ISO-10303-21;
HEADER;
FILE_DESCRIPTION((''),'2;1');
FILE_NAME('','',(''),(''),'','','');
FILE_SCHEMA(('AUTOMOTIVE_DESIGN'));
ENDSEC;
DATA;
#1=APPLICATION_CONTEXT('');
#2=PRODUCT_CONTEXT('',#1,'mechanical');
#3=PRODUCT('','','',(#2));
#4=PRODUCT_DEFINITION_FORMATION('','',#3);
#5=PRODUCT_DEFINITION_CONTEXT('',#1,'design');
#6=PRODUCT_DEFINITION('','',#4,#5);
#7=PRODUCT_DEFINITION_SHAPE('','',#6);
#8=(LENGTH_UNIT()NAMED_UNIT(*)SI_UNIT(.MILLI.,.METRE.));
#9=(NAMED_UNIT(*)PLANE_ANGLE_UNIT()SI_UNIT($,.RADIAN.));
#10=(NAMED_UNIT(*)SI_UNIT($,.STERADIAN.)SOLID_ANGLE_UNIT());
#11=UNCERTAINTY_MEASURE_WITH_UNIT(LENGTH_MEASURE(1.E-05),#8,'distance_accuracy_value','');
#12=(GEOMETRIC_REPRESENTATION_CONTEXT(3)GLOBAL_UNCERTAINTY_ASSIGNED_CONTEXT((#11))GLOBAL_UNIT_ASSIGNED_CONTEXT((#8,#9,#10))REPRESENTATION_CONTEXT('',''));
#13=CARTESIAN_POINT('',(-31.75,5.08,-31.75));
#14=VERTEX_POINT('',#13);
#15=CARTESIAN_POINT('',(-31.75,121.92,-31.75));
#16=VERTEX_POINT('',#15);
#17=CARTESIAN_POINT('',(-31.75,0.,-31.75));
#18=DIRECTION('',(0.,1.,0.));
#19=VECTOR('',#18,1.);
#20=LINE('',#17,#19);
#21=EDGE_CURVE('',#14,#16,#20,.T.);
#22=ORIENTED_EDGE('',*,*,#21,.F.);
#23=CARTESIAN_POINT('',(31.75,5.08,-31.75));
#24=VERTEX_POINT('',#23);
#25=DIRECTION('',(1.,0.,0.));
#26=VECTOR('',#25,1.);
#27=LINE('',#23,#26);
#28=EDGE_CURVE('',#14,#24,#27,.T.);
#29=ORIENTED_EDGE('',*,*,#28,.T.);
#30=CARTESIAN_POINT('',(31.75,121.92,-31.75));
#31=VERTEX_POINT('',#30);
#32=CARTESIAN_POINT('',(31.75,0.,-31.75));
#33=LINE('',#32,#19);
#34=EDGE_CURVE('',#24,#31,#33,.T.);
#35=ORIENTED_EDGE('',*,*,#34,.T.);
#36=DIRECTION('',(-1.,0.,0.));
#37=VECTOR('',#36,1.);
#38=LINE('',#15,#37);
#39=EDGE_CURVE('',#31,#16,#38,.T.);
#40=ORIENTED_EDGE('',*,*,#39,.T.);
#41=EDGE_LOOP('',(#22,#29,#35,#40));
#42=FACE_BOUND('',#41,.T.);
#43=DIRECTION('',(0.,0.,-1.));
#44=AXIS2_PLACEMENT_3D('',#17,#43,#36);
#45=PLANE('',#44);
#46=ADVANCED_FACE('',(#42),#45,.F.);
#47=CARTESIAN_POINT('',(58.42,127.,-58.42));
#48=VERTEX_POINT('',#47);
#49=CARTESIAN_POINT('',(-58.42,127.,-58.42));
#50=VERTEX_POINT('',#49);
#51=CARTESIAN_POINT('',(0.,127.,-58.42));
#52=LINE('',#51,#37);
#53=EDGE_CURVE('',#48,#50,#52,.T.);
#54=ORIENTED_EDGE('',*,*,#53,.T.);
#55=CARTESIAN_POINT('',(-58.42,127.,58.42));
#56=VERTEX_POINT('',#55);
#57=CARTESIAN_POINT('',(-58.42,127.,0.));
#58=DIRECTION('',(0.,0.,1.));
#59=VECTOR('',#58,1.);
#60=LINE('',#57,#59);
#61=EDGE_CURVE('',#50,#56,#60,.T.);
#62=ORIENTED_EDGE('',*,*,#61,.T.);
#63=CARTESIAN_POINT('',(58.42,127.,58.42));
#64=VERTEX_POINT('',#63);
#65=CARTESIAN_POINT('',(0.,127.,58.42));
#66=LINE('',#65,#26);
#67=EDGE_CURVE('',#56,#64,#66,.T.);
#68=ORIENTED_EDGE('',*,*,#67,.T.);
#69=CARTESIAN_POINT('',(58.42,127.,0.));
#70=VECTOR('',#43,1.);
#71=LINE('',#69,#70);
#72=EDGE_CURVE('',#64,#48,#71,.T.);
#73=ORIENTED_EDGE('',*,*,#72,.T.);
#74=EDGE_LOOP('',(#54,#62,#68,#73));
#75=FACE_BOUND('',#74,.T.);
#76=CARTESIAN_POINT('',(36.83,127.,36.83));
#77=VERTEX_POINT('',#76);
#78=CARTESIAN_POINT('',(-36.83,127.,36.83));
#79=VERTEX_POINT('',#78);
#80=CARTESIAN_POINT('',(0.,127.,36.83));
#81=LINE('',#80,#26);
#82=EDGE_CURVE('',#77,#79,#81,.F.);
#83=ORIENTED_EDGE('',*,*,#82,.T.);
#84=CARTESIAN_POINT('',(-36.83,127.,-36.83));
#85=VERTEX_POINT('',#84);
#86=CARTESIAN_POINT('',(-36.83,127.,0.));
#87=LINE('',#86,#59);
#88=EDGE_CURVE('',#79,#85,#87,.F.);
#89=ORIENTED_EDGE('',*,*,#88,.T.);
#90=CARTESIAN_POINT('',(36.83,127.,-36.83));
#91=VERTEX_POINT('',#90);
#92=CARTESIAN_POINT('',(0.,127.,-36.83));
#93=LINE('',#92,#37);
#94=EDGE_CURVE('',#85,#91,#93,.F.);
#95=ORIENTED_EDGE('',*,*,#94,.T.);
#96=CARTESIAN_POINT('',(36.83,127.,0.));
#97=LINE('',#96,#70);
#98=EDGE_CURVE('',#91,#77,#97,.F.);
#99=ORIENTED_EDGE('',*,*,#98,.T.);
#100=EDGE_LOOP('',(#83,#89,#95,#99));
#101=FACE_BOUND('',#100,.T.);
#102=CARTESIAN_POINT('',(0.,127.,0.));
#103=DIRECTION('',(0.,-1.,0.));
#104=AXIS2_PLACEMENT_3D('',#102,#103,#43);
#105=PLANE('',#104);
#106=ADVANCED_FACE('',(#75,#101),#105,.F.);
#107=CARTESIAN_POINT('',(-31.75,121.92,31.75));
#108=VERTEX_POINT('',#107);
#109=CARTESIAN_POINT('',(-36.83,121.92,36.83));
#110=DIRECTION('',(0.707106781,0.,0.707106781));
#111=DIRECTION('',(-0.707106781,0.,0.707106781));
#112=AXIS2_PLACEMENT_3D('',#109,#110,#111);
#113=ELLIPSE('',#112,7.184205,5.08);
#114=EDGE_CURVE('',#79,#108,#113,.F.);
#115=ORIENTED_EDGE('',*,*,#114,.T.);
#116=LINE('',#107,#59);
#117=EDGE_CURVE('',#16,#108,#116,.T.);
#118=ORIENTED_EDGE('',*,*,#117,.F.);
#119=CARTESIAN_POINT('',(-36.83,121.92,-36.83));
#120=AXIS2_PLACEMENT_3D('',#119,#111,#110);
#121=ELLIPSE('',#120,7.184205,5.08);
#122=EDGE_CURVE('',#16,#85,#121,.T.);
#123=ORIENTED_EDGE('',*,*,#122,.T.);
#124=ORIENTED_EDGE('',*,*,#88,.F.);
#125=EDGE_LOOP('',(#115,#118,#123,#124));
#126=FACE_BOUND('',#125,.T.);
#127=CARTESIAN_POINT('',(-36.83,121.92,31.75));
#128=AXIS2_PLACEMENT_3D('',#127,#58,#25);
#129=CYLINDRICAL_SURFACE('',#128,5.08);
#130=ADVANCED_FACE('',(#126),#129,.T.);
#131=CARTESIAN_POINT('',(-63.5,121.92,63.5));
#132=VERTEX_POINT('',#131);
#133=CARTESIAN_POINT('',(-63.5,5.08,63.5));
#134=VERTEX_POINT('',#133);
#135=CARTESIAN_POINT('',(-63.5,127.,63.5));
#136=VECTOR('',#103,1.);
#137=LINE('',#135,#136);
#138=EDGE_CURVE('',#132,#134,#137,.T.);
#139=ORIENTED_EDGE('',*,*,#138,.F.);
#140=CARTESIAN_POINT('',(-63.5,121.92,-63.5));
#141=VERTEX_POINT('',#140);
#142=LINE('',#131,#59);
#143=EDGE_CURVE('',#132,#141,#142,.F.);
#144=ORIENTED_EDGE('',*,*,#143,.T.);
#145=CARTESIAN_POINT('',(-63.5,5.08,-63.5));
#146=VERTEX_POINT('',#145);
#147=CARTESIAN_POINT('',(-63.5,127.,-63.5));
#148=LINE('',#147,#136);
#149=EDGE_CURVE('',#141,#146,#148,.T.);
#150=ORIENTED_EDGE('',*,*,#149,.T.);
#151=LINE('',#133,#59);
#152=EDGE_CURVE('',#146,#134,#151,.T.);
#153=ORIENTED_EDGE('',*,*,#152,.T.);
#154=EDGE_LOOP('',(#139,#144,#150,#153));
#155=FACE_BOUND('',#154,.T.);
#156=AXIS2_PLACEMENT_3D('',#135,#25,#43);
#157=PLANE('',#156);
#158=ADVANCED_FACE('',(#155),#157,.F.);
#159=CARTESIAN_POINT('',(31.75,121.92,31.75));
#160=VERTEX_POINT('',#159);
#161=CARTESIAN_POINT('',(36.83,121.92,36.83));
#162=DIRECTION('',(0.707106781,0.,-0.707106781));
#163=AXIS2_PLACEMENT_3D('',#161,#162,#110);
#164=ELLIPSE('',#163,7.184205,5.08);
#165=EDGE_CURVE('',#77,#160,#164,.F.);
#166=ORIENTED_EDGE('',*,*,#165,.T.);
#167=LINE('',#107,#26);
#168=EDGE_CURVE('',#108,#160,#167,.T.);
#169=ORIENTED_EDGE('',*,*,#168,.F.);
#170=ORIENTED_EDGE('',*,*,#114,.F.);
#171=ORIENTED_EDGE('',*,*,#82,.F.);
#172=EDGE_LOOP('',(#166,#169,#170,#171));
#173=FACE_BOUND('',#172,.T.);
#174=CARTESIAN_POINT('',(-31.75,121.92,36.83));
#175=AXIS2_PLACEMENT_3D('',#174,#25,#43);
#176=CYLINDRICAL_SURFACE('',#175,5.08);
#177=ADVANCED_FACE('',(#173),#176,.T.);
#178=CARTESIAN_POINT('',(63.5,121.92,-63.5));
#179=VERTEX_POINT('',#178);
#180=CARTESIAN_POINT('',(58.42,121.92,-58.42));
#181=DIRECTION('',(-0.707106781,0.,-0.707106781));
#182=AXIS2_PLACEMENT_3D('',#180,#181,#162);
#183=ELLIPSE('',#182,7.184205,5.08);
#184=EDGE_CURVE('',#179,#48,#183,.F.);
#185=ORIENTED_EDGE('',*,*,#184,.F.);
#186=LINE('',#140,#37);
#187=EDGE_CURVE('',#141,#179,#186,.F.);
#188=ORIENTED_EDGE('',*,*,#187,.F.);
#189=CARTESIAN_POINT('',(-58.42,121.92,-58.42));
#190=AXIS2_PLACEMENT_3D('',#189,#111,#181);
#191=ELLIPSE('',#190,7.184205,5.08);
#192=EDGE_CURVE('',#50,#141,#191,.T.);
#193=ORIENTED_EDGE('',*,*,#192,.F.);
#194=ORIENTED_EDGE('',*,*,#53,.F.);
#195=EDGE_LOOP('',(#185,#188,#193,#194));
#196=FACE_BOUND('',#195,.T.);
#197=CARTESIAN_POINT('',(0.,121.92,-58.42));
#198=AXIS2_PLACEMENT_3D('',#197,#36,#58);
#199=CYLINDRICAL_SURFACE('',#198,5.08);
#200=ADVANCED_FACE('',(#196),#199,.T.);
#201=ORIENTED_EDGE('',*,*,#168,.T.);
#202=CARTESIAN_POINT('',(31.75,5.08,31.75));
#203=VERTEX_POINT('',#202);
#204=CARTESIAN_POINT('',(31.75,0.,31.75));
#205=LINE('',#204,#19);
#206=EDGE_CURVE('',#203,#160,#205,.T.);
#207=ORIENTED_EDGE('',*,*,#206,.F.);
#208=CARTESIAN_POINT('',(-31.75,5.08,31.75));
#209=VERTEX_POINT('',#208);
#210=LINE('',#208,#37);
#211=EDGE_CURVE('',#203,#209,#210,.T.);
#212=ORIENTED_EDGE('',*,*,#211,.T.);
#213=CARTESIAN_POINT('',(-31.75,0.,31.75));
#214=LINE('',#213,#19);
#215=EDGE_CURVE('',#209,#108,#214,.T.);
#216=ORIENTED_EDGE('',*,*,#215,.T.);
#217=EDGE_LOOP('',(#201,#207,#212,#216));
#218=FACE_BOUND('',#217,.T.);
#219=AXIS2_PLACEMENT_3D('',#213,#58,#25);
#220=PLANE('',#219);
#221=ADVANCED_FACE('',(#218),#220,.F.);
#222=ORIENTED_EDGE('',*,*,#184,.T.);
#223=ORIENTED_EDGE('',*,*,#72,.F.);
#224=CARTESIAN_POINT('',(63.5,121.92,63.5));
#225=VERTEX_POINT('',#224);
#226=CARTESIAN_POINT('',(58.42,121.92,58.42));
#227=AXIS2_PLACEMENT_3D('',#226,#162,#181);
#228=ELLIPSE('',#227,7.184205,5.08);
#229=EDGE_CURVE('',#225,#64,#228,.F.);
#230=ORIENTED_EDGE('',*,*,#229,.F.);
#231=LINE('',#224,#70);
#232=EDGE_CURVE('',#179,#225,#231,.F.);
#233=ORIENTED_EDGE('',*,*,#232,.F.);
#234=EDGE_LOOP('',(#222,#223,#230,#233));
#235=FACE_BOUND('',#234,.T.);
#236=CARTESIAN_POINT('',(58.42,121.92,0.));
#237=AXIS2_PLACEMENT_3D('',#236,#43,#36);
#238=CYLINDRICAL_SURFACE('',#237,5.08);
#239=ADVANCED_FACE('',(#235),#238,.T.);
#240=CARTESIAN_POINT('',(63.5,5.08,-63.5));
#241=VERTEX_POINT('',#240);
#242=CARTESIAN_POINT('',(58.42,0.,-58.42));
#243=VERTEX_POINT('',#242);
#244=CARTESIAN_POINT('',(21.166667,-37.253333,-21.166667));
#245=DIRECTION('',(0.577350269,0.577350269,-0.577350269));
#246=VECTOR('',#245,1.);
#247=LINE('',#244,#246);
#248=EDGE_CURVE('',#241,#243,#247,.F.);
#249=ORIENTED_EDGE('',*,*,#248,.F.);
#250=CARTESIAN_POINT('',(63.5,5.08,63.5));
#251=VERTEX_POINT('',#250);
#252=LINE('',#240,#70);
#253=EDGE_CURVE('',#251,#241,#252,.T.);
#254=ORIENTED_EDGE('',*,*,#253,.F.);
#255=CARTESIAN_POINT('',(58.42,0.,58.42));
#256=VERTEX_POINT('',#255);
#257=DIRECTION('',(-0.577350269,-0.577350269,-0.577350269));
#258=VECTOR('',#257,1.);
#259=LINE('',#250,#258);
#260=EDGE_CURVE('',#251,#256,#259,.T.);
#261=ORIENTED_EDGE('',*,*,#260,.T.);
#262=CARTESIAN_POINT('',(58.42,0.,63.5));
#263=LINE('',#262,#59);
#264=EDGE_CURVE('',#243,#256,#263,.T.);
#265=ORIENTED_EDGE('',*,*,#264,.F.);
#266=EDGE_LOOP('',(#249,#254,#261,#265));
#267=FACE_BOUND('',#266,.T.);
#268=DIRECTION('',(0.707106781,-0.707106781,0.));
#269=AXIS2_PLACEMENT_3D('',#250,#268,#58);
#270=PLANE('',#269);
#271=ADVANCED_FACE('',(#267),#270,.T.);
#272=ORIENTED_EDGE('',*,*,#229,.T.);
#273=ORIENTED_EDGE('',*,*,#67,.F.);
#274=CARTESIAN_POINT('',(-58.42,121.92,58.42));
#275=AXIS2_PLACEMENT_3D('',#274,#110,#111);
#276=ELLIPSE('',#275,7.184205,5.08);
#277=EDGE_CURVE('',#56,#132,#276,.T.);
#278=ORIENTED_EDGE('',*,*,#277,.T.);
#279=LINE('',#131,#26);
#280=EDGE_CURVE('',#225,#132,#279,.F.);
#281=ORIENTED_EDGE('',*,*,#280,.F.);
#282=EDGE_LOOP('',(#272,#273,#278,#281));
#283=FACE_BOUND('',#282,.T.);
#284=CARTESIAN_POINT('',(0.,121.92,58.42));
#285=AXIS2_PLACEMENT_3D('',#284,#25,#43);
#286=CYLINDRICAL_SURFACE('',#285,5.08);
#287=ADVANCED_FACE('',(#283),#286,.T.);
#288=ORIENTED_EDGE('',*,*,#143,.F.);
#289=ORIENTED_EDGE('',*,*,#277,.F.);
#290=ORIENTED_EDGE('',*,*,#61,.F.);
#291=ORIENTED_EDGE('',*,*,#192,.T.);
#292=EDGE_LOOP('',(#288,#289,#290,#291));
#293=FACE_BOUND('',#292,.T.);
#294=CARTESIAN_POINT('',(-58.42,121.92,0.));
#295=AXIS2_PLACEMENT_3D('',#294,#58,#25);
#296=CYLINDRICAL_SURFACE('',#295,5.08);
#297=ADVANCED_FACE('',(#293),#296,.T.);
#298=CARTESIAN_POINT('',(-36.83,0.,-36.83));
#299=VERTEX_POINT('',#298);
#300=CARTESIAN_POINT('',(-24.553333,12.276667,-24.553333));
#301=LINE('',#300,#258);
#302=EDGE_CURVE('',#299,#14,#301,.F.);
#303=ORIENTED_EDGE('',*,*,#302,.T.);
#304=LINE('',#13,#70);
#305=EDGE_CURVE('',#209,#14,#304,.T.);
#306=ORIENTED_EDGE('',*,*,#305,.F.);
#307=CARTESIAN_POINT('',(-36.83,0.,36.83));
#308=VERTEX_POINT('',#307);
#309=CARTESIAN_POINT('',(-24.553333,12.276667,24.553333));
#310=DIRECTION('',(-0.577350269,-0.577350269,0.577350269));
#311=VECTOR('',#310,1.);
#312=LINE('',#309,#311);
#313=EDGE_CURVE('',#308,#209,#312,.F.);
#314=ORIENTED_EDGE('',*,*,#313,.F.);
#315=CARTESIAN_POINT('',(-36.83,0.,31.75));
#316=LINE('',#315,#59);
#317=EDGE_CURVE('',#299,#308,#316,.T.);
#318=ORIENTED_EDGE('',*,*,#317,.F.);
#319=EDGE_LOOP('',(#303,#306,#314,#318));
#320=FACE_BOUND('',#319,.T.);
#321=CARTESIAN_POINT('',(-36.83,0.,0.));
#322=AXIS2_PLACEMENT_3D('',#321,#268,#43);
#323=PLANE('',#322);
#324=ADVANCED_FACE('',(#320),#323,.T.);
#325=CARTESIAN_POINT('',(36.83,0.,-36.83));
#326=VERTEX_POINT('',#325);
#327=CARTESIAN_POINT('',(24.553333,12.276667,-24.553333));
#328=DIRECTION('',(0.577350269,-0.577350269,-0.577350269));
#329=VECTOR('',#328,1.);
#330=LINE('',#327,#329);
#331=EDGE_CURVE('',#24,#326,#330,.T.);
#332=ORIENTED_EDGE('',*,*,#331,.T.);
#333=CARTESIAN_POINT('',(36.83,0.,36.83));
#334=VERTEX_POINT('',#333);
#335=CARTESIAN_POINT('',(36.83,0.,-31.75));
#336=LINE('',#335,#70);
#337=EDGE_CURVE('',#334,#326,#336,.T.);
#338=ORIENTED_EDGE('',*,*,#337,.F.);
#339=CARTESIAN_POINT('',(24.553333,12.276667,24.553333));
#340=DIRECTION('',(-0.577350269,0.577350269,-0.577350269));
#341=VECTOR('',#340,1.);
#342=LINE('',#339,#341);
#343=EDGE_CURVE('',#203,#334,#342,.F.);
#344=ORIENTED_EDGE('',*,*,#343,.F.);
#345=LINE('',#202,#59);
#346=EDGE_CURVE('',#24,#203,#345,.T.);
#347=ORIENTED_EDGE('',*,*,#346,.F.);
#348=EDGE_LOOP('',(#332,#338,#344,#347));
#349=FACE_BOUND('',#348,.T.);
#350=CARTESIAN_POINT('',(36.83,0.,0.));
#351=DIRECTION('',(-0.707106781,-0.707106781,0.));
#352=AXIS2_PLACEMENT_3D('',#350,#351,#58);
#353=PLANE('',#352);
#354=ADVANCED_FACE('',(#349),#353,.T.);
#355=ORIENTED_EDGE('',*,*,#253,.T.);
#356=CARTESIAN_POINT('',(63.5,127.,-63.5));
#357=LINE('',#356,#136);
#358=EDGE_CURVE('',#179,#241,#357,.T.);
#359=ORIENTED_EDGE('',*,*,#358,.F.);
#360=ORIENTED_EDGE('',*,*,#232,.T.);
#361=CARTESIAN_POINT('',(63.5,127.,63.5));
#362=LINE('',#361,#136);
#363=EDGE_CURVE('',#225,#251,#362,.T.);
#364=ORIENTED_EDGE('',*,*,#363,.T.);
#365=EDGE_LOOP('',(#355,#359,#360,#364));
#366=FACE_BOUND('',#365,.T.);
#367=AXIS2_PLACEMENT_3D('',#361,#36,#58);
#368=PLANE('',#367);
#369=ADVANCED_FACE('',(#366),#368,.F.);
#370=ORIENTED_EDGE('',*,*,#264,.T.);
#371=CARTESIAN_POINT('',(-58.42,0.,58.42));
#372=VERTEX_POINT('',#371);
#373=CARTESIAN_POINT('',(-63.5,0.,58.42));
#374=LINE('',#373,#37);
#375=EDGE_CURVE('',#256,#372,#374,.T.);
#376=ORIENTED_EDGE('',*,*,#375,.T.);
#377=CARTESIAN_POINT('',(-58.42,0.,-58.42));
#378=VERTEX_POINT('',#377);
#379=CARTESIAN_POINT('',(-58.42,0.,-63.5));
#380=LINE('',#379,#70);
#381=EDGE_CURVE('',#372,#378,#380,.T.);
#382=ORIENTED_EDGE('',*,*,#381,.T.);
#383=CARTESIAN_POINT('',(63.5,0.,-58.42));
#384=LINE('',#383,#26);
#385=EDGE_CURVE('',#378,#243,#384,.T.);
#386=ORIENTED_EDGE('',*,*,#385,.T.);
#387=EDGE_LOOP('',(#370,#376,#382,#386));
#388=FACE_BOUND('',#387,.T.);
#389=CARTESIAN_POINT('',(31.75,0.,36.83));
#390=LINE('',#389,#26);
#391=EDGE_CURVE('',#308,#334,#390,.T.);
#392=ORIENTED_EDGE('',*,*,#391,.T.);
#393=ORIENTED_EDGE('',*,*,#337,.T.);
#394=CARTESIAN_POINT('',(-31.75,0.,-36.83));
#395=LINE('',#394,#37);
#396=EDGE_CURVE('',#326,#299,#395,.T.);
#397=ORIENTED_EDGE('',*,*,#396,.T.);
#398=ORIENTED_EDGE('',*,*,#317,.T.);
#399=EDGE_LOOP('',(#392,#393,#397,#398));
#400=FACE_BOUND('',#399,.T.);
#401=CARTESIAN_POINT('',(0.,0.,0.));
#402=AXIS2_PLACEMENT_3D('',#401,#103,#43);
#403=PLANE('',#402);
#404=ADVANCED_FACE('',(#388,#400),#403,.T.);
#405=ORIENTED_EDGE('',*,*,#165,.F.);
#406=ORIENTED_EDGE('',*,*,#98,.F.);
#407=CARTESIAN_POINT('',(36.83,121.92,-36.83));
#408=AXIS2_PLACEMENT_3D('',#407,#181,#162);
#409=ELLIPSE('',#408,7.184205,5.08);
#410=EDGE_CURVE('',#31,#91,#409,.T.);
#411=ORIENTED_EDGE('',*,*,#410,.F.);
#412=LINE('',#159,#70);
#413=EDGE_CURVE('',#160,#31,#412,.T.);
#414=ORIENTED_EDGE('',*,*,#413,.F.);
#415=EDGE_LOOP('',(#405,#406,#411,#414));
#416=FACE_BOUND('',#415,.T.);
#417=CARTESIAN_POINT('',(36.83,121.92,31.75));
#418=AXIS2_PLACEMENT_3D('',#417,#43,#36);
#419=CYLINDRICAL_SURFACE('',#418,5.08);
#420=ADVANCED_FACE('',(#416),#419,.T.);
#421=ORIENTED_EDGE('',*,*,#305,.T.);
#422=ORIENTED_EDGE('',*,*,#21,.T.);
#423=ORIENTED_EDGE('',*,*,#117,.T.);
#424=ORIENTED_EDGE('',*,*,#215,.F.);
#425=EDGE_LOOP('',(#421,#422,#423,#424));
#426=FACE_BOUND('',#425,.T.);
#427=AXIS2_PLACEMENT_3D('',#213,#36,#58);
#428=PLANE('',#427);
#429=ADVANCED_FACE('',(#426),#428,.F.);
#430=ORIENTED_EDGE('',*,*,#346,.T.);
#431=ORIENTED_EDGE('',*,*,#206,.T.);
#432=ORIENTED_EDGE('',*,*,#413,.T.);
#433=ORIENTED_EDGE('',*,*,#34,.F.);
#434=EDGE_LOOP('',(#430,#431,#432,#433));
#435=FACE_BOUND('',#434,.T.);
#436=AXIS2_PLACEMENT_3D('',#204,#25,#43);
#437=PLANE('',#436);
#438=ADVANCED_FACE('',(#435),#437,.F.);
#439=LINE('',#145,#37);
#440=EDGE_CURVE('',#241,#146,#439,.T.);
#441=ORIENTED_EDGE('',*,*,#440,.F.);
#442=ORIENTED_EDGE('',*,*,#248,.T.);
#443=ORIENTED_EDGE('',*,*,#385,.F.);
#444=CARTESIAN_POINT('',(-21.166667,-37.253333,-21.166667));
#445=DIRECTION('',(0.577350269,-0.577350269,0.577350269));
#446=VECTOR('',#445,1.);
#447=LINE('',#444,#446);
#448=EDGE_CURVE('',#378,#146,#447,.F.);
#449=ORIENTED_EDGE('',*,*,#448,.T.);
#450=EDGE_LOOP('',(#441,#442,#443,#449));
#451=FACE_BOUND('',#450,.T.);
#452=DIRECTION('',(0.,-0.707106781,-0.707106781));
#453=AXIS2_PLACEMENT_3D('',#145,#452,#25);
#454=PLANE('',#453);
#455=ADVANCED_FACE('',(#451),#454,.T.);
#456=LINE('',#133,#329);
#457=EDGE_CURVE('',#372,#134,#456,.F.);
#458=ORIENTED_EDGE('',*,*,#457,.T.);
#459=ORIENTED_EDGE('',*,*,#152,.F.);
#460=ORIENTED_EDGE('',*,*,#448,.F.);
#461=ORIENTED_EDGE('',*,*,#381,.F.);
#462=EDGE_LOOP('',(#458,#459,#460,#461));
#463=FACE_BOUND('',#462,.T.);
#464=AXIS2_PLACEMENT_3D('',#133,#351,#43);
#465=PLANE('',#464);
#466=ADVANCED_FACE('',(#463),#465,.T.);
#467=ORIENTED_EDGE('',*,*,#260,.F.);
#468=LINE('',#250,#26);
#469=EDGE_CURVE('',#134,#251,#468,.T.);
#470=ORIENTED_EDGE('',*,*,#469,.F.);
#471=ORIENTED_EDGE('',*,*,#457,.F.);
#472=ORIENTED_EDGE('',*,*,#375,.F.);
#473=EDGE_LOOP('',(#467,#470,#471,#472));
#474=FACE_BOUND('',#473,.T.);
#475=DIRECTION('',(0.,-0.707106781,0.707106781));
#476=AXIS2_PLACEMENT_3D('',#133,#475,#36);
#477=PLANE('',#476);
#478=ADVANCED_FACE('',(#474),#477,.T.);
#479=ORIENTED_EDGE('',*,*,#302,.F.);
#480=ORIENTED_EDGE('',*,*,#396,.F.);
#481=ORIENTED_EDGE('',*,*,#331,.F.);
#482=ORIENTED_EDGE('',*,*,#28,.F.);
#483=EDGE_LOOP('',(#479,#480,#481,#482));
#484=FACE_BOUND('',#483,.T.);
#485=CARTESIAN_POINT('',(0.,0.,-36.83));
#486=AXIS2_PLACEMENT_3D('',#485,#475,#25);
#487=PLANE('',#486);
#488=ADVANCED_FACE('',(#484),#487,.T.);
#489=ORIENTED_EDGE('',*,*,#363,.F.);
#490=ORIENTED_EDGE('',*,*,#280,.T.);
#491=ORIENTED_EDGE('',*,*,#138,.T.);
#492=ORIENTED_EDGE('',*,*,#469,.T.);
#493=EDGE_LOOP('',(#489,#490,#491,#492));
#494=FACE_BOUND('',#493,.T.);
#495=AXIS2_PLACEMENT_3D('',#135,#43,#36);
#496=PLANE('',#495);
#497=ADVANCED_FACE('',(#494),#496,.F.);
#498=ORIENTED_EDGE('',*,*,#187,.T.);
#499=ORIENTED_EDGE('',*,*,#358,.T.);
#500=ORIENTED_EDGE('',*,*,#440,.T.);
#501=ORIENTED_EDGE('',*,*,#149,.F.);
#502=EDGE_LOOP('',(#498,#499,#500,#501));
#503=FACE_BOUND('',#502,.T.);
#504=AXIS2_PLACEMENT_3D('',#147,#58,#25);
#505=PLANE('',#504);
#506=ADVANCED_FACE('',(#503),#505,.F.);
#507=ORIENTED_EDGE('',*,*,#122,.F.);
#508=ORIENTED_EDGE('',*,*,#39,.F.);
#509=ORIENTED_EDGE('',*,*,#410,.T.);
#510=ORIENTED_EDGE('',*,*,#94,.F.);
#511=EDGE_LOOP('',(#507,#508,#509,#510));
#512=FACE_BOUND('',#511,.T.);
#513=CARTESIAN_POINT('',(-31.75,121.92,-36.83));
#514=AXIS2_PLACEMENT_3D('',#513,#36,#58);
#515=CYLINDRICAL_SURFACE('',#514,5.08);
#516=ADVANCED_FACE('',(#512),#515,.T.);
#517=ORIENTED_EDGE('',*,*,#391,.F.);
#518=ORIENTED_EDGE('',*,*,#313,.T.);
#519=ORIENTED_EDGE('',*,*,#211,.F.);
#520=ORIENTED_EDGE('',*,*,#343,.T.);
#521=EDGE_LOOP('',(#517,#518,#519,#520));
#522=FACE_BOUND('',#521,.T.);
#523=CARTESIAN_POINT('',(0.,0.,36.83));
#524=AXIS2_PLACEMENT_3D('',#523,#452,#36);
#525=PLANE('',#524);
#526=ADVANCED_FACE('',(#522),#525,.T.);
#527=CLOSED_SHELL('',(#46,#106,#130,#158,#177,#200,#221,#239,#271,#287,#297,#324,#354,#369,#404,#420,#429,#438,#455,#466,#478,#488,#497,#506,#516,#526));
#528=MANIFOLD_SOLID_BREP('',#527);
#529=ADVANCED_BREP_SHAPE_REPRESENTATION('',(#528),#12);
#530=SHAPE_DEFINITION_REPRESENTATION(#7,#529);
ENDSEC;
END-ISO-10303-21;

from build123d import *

# Parameters (mm, degrees)
SKETCH1_W           = 127
SKETCH1_H           = 127
BOSS_EXTRUDE1_DEPTH = 127
SKETCH2_W           = 63.5
SKETCH2_H           = 63.5
CUT_EXTRUDE1_DEPTH  = 128
CHAMFER1_SIZE       = 5.08
FILLET1_R           = 5.08


with BuildPart() as part:
    # Sketch1 → Boss-Extrude1 (new body)
    with BuildSketch(Plane(origin=(0, 0, 0), x_dir=(1, 0, 0), z_dir=(0, 1, 0))):
        Rectangle(SKETCH1_W, SKETCH1_H)
    extrude(amount=BOSS_EXTRUDE1_DEPTH)

    # Sketch2 → Cut-Extrude1 (cut, through all)
    with BuildSketch(Plane(origin=(0, 127, 0), x_dir=(1, 0, 0), z_dir=(0, 1, 0))):
        Rectangle(SKETCH2_W, SKETCH2_H)
    extrude(amount=-CUT_EXTRUDE1_DEPTH, mode=Mode.SUBTRACT)

    # Chamfer1
    chamfer1_edges = [part.edges().sort_by_distance(p)[0] for p in [
        (31.75, 0, 0),
        (0, 0, 31.75),
        (-31.75, 0, 0),
        (0, 0, -31.75),
        (0, 0, 63.5),
        (-63.5, 0, 0),
        (0, 0, -63.5),
        (63.5, 0, 0),
    ]]
    chamfer(chamfer1_edges, length=CHAMFER1_SIZE)

    # Fillet1
    fillet1_edges = [part.edges().sort_by_distance(p)[0] for p in [
        (-63.5, 127, 0),
        (0, 127, 63.5),
        (31.75, 127, 0),
        (0, 127, -31.75),
        (-31.75, 127, 0),
        (0, 127, 31.75),
        (63.5, 127, 0),
        (0, 127, -63.5),
    ]]
    fillet(fillet1_edges, radius=FILLET1_R)


solid = part.part
